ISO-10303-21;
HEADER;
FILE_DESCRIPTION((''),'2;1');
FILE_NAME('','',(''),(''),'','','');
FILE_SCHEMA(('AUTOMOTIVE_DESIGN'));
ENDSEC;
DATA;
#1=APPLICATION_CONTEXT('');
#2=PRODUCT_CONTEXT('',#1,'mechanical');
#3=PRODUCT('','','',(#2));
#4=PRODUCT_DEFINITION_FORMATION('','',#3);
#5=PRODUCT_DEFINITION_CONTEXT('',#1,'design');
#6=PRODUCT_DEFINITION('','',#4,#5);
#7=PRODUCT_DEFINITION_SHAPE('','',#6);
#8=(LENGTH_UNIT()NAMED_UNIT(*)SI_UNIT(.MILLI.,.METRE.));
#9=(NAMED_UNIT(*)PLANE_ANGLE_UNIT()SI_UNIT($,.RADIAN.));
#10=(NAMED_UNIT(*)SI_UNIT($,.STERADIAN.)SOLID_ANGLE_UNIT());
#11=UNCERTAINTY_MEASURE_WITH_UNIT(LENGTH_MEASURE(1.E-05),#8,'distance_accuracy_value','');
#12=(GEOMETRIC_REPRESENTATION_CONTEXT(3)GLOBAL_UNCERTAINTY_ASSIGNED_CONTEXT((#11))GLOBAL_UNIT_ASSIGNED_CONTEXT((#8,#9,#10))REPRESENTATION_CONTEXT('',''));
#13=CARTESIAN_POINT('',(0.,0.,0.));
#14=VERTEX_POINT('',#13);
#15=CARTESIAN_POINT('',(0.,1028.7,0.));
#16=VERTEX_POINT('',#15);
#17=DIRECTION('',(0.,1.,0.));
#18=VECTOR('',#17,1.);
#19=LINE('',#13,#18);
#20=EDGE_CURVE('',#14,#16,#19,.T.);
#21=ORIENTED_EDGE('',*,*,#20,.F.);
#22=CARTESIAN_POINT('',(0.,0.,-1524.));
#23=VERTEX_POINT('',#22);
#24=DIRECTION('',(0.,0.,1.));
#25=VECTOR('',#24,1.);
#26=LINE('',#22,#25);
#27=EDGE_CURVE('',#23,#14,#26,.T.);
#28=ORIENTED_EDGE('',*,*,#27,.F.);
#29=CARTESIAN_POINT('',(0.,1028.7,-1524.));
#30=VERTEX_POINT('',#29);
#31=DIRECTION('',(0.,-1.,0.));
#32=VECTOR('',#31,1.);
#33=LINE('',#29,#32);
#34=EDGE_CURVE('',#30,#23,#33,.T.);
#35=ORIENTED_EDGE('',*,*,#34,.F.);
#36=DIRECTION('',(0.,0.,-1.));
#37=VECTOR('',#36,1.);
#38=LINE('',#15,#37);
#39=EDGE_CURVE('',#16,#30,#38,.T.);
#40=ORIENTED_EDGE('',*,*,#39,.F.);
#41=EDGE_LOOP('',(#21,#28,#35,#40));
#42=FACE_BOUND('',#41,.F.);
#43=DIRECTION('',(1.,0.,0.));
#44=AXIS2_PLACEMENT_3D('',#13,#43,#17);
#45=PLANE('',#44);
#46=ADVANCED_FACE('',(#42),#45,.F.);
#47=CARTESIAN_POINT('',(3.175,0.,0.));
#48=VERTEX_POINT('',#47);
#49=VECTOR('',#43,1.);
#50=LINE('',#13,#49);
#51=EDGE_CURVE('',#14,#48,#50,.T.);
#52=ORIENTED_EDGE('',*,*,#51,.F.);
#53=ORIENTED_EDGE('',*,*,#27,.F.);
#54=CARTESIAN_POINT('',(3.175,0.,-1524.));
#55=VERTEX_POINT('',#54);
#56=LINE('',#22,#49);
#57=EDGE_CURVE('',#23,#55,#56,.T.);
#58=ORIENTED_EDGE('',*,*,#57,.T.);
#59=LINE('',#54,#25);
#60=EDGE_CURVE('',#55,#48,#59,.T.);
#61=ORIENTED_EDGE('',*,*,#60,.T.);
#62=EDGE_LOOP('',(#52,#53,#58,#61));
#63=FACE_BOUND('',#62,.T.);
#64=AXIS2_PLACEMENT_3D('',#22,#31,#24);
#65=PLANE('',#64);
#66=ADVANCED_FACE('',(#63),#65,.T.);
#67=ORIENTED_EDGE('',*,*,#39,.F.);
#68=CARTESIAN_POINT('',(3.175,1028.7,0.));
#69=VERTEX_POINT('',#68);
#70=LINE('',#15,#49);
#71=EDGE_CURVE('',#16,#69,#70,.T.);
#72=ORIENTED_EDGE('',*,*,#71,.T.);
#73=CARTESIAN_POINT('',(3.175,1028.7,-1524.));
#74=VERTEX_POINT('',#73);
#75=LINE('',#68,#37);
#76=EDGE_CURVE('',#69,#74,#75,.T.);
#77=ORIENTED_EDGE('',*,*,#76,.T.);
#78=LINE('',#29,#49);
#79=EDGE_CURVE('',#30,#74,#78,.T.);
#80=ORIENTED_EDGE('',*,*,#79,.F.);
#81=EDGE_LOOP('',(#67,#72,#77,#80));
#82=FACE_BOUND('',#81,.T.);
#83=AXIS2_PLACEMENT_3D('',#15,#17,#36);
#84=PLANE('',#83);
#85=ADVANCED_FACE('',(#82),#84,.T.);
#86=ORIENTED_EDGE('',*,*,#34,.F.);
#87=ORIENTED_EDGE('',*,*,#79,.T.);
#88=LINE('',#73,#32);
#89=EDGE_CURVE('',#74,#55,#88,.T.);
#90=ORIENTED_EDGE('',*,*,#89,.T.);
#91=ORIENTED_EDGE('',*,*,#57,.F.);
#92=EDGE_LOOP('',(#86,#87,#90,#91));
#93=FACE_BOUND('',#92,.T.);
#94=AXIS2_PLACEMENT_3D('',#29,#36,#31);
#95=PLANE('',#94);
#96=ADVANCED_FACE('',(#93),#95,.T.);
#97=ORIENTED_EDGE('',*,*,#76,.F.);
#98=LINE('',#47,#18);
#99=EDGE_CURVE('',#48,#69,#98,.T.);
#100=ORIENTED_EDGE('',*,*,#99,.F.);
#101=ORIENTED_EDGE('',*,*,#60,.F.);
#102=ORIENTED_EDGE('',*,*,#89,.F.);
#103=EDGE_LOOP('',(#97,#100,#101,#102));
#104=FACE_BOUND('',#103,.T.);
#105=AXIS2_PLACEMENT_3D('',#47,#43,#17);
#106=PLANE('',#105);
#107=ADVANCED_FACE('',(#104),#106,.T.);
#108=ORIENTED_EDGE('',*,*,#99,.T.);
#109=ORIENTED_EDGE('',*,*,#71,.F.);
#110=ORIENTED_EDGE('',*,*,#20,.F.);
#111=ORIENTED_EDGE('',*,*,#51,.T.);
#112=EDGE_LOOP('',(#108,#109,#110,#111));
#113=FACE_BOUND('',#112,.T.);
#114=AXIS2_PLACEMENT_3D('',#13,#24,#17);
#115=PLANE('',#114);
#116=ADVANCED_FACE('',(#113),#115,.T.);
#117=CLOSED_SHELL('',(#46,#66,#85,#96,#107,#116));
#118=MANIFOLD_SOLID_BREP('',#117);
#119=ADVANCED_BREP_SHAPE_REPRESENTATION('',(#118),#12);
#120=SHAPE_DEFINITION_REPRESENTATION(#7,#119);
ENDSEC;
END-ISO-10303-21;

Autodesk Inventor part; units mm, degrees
ref_plane "YZ Plane" through (0, 0, 0) normal (1, 0, 0) x (0, 1, 0)
ref_plane "XZ Plane" through (0, 0, 0) normal (0, 1, 0) x (-1, 0, 0)
ref_plane "XY Plane" through (0, 0, 0) normal (0, 0, 1) x (1, 0, 0)
sketch "Sketch1" plane through (0, 0, 0) normal (1, 0, 0) x (0, 1, 0)
  line L0 (0, 0) -> (1028.7, 0)
  line L1 (1028.7, 0) -> (1028.7, -1524)
  line L2 (1028.7, -1524) -> (0, -1524)
  line L3 (0, -1524) -> (0, 0)
  dimension "d2" = 1524
  dimension "d3" = 1028.7
extrude "Extrusion1" add sketch "Sketch1" along normal blind 3.175
properties part number "StationWindow-ver1-1111-2021"
